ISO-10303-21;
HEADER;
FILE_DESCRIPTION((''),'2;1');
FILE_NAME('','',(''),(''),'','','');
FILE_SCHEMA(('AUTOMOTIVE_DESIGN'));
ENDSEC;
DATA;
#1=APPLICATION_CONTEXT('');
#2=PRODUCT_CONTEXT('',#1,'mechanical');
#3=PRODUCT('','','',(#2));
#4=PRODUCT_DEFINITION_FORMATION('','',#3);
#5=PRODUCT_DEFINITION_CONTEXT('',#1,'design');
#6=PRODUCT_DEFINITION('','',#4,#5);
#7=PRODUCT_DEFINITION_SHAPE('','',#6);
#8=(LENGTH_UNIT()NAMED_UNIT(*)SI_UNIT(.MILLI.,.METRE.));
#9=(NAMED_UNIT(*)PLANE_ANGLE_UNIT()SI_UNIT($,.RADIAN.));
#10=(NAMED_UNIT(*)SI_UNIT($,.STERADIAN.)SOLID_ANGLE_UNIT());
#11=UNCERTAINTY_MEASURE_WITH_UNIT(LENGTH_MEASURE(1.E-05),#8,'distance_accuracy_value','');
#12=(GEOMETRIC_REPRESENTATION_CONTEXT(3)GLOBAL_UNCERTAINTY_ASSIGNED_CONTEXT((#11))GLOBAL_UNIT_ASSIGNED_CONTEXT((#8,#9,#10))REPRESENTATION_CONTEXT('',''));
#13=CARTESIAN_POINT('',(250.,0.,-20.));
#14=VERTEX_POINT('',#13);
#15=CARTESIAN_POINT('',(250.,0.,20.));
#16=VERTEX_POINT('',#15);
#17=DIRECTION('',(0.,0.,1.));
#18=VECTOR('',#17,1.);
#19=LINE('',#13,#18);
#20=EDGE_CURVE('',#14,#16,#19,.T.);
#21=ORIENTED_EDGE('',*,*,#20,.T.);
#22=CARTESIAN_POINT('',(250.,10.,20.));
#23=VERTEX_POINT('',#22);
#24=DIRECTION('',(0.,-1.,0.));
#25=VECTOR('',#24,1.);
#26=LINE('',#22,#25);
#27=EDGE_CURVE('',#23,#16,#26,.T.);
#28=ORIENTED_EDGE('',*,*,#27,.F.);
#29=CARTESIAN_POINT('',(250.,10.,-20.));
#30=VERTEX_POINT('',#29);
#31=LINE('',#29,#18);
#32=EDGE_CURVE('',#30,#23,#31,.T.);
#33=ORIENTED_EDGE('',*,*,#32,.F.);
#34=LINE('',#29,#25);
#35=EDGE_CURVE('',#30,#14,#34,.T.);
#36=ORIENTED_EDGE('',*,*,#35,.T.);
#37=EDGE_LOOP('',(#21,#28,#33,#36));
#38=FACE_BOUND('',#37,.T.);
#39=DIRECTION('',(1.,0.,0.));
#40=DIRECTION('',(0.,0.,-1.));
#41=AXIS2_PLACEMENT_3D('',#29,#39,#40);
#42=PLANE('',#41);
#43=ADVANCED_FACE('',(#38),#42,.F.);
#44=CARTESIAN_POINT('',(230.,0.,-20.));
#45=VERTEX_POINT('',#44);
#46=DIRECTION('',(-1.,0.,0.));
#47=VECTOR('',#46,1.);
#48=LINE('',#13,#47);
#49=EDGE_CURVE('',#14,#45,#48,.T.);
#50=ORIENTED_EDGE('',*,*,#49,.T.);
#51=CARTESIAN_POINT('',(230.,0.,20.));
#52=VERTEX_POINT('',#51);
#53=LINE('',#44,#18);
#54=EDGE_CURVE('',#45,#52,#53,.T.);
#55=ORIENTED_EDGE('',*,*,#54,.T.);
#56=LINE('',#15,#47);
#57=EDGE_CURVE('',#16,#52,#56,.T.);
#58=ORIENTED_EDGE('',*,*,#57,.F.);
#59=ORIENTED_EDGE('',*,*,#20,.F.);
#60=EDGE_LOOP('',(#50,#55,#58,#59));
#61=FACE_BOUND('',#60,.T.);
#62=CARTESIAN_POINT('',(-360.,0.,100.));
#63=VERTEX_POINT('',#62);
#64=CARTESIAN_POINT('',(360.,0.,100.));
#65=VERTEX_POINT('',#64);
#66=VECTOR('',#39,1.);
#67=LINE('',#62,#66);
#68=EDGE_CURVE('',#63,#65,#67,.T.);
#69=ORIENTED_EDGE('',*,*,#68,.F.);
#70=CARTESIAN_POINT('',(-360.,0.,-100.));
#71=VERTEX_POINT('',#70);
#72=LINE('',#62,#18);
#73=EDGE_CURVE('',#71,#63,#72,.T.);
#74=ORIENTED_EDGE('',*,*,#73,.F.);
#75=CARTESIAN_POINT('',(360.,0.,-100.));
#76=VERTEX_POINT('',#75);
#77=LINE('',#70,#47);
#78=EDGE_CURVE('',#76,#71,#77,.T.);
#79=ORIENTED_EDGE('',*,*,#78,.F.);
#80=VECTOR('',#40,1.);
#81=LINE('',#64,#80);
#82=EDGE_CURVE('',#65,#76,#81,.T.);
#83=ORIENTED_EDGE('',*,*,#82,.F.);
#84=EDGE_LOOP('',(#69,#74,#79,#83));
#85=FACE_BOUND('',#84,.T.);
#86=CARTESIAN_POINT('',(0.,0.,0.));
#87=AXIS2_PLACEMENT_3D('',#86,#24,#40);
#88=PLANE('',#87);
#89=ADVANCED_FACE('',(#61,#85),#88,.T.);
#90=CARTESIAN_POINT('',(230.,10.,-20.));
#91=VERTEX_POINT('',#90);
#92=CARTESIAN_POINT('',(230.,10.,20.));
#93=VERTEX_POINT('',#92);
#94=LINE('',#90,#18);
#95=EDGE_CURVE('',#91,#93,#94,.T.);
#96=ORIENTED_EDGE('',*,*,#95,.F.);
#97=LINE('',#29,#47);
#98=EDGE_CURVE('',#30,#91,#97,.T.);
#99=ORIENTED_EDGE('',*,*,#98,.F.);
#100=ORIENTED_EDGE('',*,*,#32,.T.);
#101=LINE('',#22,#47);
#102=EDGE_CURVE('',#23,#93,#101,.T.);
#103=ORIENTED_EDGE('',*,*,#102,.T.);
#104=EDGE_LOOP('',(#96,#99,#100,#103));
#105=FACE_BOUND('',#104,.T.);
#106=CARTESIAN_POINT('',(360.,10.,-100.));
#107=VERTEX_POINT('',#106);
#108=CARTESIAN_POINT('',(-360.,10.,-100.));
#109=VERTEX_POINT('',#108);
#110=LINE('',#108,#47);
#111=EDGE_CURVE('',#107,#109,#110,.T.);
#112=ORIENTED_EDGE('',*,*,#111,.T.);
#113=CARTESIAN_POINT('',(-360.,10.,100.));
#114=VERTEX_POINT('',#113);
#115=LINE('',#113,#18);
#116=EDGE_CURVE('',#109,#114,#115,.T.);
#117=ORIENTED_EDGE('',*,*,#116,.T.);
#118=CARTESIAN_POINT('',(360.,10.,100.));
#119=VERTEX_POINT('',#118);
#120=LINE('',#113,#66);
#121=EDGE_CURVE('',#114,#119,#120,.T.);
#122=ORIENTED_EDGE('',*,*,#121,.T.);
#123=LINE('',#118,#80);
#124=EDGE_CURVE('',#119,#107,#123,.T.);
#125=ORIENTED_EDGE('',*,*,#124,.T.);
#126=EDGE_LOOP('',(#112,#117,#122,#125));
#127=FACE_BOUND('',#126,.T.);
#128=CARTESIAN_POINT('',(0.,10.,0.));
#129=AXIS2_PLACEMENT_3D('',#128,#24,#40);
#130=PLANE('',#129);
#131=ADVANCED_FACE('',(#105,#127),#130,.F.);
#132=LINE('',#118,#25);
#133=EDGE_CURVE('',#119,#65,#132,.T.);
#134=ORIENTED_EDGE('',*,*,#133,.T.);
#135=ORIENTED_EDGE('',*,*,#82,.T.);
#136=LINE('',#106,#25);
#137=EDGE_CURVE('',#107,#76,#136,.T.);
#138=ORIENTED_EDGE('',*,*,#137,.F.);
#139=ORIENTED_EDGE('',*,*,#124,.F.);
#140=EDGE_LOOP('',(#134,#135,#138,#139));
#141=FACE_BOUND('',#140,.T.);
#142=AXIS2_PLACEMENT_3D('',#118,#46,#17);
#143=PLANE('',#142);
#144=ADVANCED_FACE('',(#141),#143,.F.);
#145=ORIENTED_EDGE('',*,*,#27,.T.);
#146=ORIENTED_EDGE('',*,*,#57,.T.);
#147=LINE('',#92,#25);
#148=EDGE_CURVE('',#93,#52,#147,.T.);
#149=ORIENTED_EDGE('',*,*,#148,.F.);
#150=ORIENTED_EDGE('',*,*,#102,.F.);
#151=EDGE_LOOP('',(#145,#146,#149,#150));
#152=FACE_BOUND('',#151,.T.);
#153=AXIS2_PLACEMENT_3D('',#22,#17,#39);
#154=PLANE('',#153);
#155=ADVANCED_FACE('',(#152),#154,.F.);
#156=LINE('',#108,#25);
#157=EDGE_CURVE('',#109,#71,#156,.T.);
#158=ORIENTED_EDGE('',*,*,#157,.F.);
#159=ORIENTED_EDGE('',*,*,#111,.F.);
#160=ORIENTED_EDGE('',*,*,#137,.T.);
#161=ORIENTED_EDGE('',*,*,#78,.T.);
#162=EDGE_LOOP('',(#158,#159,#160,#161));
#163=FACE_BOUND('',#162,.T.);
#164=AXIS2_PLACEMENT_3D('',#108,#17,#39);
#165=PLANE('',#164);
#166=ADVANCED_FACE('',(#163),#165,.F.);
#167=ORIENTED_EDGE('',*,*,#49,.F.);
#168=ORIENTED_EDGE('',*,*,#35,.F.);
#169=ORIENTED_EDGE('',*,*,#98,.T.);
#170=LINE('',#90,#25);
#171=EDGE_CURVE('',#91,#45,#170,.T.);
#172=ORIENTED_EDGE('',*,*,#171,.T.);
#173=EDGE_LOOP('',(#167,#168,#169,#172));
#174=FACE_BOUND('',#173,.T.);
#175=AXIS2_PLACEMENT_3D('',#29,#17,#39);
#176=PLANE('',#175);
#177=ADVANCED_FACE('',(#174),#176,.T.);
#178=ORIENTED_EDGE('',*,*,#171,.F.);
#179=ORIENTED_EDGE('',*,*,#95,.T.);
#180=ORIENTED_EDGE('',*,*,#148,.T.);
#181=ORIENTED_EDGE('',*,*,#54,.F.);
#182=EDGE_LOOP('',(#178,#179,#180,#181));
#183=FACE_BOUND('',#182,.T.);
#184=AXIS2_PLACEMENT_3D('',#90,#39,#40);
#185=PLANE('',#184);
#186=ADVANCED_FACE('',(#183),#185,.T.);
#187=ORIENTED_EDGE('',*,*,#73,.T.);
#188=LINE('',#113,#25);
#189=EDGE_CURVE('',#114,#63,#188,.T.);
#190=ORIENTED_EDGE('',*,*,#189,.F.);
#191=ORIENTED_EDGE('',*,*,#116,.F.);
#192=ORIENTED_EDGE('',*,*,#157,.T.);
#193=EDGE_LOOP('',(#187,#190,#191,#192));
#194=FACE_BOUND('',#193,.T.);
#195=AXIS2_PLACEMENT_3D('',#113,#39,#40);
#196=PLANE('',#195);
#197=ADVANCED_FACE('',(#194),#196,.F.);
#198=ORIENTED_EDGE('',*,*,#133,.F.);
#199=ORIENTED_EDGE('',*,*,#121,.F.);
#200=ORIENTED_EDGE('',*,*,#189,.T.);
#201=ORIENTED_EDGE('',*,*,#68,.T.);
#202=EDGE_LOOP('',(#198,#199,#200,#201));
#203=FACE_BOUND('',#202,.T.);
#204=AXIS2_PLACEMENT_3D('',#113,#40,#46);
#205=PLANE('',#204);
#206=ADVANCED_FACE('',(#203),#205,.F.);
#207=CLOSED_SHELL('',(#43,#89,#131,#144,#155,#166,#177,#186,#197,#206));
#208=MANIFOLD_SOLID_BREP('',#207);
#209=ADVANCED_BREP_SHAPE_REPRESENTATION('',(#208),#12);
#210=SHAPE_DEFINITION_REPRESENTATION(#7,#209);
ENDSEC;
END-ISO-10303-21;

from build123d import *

# Parameters (mm, degrees)
CROQUIS1_W              = 720
CROQUIS1_H              = 200
SALIENTE_EXTRUIR1_DEPTH = 10
CROQUIS2_W              = 20
CROQUIS2_H              = 40
CORTAR_EXTRUIR1_DEPTH   = 10


with BuildPart() as part:
    # Croquis1 → Saliente-Extruir1 (new body)
    with BuildSketch(Plane(origin=(0, 0, 0), x_dir=(1, 0, 0), z_dir=(0, 1, 0))):
        Rectangle(CROQUIS1_W, CROQUIS1_H)
    extrude(amount=SALIENTE_EXTRUIR1_DEPTH)

    # Croquis2 → Cortar-Extruir1 (cut)
    with BuildSketch(Plane(origin=(0, 0, 0), x_dir=(-1, 0, 0), z_dir=(0, -1, 0))):
        with Locations((-240, 0)):
            Rectangle(CROQUIS2_W, CROQUIS2_H)
    extrude(amount=-CORTAR_EXTRUIR1_DEPTH, mode=Mode.SUBTRACT)


solid = part.part
